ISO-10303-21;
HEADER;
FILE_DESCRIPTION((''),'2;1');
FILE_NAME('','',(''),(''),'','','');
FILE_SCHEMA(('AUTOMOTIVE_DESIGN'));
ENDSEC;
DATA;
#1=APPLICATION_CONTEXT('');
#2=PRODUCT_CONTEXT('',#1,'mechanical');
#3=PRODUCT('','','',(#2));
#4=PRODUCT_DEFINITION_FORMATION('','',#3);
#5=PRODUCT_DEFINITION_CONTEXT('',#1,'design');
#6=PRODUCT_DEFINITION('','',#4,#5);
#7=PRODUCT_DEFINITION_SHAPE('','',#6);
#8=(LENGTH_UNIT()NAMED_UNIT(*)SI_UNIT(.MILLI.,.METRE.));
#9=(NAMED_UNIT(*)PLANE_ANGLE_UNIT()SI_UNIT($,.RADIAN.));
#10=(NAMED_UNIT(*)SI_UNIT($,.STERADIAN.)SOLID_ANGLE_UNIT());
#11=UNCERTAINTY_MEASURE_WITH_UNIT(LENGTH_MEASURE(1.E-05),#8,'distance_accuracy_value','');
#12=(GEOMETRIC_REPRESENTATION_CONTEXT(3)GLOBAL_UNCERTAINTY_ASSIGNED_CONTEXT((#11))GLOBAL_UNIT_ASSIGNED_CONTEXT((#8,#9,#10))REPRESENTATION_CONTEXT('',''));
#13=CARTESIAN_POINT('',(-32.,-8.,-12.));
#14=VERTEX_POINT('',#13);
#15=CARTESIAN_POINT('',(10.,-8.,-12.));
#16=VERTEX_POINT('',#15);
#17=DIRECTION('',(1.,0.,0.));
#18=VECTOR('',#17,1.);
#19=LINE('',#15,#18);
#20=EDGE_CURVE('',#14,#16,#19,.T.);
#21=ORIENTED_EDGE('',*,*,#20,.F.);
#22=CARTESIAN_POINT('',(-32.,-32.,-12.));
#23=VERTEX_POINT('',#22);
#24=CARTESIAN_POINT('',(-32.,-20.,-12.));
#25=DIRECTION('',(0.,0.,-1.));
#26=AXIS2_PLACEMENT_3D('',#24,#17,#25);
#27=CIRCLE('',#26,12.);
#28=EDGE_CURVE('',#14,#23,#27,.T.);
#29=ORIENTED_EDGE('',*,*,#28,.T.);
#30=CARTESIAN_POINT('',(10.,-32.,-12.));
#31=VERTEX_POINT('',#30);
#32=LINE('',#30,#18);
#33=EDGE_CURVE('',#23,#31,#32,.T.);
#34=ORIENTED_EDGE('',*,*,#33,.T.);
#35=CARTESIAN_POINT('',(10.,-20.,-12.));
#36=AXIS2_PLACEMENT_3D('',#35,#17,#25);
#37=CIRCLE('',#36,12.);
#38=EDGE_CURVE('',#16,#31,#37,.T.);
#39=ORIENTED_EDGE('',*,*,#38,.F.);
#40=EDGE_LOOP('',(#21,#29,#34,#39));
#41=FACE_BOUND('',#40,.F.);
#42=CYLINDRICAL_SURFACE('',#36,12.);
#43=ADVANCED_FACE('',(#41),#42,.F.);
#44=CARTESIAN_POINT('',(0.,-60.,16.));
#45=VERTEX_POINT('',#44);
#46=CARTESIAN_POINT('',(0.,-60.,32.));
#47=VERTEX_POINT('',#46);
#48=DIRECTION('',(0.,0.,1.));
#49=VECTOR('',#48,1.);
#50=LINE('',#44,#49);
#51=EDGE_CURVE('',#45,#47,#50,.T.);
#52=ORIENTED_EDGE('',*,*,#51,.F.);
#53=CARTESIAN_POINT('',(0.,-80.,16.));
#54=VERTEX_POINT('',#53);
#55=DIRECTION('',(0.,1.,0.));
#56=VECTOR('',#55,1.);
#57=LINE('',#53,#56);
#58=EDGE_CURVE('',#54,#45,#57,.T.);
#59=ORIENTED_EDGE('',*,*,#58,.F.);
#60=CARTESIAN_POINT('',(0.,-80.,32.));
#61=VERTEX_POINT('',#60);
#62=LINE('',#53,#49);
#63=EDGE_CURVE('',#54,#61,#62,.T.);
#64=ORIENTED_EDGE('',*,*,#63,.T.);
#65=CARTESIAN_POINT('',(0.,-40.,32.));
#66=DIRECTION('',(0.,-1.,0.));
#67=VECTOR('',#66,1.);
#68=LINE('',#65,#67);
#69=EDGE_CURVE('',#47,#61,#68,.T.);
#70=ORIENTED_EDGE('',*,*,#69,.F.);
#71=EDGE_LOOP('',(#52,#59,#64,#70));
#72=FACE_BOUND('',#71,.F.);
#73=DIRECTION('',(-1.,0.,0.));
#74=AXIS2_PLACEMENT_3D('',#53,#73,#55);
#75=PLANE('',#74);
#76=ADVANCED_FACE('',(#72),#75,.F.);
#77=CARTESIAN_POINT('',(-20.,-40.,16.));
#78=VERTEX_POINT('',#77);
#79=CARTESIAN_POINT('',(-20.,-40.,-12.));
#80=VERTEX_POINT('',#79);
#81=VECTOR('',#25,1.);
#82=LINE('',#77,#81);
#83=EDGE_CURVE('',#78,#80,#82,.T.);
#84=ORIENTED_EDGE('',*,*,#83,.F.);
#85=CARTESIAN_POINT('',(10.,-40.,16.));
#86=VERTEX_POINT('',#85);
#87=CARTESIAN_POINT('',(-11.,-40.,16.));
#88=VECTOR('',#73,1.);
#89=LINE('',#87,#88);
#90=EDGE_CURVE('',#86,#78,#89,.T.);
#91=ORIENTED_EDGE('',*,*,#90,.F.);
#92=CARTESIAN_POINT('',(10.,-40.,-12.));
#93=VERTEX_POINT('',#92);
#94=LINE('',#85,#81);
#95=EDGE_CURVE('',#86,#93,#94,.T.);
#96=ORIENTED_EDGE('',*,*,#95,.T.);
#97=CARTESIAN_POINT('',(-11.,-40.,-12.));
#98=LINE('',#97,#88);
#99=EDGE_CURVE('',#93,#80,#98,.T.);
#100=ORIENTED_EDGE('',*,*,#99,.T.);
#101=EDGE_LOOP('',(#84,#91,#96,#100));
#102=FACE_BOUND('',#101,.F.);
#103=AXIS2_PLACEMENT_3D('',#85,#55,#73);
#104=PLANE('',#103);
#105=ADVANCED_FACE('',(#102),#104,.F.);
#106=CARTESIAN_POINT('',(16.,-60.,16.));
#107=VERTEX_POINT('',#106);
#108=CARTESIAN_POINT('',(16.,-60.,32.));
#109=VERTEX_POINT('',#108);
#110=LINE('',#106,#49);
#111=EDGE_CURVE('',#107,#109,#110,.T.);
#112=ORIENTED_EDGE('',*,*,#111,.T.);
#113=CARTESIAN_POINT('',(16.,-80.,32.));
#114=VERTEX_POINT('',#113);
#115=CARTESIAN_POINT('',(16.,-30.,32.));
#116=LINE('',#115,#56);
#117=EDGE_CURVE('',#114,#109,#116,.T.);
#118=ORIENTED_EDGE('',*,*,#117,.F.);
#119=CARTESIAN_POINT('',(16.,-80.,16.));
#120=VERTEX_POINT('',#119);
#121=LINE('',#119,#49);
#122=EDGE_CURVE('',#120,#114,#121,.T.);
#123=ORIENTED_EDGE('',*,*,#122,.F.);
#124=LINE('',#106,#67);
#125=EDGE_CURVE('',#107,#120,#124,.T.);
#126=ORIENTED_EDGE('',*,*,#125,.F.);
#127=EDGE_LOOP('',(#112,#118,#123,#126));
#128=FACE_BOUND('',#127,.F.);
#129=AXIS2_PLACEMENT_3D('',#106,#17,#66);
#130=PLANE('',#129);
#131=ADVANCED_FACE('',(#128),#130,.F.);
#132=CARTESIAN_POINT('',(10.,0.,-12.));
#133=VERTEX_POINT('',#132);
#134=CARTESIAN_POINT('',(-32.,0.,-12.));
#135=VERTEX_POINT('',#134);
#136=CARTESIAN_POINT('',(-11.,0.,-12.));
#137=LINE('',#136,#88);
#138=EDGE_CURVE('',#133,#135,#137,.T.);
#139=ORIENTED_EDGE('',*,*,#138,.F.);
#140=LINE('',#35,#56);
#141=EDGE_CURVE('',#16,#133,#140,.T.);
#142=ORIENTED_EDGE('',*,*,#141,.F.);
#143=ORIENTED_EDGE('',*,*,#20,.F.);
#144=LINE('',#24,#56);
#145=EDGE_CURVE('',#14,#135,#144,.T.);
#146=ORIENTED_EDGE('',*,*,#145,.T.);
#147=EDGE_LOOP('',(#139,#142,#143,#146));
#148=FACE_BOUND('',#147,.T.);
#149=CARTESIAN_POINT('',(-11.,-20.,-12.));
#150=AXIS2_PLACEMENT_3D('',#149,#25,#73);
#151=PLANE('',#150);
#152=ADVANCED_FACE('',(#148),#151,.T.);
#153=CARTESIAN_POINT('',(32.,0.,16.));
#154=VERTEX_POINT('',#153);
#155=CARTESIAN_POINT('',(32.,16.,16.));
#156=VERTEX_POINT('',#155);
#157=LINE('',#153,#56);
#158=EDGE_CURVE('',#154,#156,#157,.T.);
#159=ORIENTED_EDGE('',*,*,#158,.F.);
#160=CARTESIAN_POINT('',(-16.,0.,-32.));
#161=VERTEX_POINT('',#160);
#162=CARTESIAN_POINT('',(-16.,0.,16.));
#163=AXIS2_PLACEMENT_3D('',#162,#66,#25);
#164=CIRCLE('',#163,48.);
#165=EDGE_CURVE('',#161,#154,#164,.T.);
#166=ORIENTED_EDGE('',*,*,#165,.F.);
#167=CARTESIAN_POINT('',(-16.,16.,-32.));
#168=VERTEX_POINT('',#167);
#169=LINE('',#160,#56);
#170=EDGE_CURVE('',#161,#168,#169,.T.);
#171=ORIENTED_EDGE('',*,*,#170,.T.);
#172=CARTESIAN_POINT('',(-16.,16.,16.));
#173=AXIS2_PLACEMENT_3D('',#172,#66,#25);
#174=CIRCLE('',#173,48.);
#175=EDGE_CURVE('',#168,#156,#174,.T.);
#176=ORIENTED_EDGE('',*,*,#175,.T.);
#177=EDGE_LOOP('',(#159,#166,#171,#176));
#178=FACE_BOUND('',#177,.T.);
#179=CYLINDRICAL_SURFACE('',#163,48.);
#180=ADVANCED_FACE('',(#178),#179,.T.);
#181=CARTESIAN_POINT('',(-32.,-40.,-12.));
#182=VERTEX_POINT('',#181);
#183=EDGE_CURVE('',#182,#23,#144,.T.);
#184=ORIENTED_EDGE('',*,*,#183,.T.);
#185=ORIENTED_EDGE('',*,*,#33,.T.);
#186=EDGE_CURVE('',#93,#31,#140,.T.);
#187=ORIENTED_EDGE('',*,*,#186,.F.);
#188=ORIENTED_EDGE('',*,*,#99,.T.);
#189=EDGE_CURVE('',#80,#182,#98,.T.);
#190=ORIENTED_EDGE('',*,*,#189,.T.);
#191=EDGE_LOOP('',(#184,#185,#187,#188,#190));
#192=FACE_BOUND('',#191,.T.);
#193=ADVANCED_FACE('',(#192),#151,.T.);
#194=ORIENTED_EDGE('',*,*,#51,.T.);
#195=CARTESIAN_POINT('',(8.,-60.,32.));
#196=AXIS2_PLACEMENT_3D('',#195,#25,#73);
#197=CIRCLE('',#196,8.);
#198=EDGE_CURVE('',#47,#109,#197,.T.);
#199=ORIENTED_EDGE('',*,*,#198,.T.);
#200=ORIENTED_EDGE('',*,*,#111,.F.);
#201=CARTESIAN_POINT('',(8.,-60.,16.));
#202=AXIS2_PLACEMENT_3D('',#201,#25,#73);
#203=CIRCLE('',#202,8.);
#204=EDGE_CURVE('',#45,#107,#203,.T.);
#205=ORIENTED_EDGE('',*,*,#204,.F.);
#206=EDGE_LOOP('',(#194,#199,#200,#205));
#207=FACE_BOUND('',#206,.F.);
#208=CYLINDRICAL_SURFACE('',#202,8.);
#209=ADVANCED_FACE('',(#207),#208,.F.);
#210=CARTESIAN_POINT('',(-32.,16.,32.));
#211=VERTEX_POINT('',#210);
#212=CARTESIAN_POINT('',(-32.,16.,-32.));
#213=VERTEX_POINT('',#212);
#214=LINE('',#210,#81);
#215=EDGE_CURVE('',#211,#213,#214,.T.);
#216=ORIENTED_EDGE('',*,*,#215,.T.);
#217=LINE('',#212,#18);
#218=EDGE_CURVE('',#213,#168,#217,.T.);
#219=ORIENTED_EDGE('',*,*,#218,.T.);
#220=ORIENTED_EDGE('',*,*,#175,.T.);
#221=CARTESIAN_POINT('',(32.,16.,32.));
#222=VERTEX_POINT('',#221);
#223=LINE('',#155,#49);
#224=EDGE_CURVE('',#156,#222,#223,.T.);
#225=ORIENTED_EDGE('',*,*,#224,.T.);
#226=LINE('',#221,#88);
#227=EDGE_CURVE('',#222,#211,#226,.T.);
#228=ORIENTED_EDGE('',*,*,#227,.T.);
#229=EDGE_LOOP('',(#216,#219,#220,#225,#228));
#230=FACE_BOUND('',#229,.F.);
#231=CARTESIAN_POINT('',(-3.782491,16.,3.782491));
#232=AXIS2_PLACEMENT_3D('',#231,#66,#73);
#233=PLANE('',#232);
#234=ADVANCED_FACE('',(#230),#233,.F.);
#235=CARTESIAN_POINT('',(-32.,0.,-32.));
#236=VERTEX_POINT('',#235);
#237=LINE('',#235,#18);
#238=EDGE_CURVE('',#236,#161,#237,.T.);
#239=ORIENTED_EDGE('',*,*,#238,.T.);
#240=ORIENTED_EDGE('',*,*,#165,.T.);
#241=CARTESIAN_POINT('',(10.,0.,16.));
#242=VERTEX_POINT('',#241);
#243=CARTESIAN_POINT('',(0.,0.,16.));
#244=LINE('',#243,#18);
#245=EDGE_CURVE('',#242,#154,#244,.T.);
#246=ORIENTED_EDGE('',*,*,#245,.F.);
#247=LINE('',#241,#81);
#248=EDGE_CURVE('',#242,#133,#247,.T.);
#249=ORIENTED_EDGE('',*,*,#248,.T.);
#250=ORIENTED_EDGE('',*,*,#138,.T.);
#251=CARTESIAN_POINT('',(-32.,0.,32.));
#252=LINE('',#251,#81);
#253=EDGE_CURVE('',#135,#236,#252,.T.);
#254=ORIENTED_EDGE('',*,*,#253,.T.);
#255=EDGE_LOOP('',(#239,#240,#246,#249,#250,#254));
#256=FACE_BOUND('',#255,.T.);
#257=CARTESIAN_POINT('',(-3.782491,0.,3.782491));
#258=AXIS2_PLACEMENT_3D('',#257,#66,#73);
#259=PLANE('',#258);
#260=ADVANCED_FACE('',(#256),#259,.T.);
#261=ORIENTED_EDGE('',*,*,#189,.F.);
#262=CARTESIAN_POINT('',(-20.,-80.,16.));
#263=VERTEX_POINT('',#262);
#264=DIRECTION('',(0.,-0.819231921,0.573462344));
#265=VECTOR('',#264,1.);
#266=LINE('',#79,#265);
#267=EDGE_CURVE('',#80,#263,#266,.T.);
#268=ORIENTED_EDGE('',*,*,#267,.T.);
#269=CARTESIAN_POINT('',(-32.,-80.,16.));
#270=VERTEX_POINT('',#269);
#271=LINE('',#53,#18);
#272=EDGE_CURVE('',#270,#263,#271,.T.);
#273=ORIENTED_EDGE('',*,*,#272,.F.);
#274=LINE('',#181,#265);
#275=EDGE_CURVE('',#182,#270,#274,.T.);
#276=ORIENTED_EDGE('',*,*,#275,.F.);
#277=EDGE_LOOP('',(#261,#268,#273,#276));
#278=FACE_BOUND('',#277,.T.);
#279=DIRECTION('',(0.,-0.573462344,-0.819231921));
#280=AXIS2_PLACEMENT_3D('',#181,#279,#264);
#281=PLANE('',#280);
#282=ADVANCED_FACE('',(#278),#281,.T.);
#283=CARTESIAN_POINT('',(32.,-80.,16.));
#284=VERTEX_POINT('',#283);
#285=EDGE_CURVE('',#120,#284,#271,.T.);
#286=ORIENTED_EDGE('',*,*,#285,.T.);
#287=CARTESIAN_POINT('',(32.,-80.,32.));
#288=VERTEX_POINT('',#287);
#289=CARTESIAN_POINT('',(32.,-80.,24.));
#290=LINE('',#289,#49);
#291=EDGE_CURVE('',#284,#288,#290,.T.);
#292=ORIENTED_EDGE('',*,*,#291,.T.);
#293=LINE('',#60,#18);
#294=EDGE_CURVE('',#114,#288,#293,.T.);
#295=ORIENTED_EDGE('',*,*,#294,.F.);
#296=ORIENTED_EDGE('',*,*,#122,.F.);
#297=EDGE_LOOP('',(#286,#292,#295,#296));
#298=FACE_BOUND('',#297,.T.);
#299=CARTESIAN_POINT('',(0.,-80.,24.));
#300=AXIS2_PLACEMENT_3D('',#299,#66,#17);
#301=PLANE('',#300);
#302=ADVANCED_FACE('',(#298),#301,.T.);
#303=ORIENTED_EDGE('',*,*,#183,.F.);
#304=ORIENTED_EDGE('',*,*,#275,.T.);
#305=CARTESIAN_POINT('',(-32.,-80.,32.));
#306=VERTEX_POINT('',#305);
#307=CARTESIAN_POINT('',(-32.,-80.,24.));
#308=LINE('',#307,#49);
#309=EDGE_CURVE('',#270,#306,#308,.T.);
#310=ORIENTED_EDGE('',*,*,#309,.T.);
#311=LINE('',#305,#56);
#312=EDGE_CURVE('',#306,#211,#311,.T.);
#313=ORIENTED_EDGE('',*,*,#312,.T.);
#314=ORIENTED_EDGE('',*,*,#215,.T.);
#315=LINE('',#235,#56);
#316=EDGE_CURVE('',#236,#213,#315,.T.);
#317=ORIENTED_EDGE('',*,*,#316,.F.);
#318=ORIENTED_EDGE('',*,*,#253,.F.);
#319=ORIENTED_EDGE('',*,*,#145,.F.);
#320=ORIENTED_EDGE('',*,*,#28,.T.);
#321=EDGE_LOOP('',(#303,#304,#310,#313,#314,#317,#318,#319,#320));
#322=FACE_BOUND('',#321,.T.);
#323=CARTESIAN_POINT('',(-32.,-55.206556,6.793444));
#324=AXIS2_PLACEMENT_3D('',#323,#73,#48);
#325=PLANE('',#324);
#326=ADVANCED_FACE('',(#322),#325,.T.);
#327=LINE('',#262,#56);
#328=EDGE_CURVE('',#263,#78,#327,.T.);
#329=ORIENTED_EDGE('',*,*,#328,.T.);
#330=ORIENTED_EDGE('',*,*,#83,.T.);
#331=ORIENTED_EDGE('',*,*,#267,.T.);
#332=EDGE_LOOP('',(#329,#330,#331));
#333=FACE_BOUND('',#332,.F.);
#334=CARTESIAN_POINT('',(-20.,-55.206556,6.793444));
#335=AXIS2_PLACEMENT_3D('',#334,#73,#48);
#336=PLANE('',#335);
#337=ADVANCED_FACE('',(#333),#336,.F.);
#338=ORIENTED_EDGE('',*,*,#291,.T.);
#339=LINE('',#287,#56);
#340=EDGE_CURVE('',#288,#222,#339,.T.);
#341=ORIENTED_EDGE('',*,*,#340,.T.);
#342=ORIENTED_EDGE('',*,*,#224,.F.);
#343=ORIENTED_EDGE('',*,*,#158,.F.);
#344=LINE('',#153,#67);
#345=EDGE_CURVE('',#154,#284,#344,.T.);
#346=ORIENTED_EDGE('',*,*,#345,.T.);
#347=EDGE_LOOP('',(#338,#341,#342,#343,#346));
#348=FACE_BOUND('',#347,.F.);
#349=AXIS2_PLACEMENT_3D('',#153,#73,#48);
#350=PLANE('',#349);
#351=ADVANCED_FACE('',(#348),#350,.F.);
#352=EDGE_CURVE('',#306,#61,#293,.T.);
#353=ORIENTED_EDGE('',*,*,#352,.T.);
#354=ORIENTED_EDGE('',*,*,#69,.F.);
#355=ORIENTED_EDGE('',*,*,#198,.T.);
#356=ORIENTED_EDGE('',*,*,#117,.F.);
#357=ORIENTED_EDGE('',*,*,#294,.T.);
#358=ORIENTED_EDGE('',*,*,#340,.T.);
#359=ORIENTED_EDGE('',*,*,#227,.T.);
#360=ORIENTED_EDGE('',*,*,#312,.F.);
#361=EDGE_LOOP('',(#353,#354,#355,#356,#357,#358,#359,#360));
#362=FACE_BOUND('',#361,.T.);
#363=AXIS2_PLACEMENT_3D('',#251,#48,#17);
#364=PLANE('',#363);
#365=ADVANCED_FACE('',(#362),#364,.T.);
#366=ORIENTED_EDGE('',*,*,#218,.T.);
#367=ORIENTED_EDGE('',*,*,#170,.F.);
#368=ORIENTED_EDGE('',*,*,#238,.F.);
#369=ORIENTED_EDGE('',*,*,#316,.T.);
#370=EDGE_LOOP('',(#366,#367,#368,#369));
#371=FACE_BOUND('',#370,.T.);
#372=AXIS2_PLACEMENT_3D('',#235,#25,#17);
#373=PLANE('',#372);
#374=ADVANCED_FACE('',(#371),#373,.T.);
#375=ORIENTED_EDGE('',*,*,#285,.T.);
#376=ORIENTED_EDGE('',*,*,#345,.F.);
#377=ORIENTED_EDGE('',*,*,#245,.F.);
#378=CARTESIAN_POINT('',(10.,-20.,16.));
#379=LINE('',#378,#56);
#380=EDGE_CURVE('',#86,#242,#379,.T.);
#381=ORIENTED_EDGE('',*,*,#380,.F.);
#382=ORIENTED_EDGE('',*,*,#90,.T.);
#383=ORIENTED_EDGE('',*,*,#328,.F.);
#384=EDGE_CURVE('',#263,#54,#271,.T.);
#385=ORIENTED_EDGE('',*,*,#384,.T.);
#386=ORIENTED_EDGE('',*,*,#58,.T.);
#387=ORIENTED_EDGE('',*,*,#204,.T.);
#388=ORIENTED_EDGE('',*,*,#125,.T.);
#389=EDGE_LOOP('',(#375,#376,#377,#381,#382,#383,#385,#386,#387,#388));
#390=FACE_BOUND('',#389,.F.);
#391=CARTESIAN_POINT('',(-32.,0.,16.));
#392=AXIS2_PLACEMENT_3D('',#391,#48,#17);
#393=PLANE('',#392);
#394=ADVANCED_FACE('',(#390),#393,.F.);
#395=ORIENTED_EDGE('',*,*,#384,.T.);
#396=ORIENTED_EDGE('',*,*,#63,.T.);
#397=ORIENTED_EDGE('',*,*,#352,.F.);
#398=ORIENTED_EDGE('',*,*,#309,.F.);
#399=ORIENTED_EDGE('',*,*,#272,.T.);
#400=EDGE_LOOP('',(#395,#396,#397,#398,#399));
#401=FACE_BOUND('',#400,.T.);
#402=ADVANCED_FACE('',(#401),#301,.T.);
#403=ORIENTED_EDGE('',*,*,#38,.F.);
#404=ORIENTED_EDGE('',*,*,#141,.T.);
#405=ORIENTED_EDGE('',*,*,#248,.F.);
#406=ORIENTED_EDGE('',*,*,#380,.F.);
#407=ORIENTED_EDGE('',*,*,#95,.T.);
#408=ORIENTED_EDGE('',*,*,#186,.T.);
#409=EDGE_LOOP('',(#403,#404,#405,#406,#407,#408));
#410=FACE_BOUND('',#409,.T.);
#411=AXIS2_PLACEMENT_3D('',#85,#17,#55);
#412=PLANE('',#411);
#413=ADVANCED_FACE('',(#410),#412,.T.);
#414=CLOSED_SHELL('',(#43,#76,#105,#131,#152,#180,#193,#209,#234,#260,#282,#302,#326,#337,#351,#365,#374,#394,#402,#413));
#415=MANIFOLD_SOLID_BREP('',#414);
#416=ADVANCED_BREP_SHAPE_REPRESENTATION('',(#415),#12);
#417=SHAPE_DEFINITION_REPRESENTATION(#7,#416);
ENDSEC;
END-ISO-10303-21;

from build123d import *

# Parameters (mm, degrees)
BOSS_EXTRUDE1_DEPTH = 16
SKETCH3_W           = 64
SKETCH3_H           = 16
BOSS_EXTRUDE2_DEPTH = 80
CUT_EXTRUDE1_DEPTH  = 80
SKETCH5_W           = 42
SKETCH5_H           = 40
BOSS_EXTRUDE3_DEPTH = 28
SKETCH6_R           = 12
CUT_EXTRUDE2_DEPTH  = 51
BOSS_EXTRUDE4_DEPTH = 12


with BuildPart() as part:
    # Sketch1 → Boss-Extrude1 (new body)
    with BuildSketch(Plane(origin=(0, 0, 0), x_dir=(1, 0, 0), z_dir=(0, 1, 0))):
        with BuildLine():
            Line((-32, 32), (-16, 32))
            ThreePointArc((-16, 32), (17.941125497, 17.941125497), (32, -16))
            Line((32, -16), (32, -32))
            Line((32, -32), (-32, -32))
            Line((-32, -32), (-32, 32))
        make_face()
    extrude(amount=BOSS_EXTRUDE1_DEPTH)

    # Sketch3 → Boss-Extrude2 (add)
    with BuildSketch(Plane.XZ):
        with Locations((0, 24)):
            Rectangle(SKETCH3_W, SKETCH3_H)
    extrude(amount=BOSS_EXTRUDE2_DEPTH)

    # Sketch4 → Cut-Extrude1 (cut)
    with BuildSketch(Plane(origin=(0, 0, 16), x_dir=(-1, 0, 0), z_dir=(0, 0, -1))):
        with BuildLine():
            Line((-16, -80), (0, -80))
            Line((0, -80), (0, -60))
            ThreePointArc((0, -60), (-8, -52), (-16, -60))
            Line((-16, -60), (-16, -80))
        make_face()
    extrude(amount=-CUT_EXTRUDE1_DEPTH, mode=Mode.SUBTRACT)

    # Sketch5 → Boss-Extrude3 (add)
    with BuildSketch(Plane(origin=(0, 0, 16), x_dir=(-1, 0, 0), z_dir=(0, 0, -1))):
        with Locations((11, -20)):
            Rectangle(SKETCH5_W, SKETCH5_H)
    extrude(amount=BOSS_EXTRUDE3_DEPTH)

    # Sketch6 → Cut-Extrude2 (cut)
    with BuildSketch(Plane(origin=(10, 0, 0), x_dir=(0, 0, -1), z_dir=(1, 0, 0))):
        with Locations((12, -20)):
            Circle(SKETCH6_R)
    extrude(amount=-CUT_EXTRUDE2_DEPTH, mode=Mode.SUBTRACT)

    # Sketch7 → Boss-Extrude4 (add)
    with BuildSketch(Plane.ZY.offset(32)):
        Polygon((-12, -40), (16, -80), (16, -40), align=None)
    extrude(amount=-BOSS_EXTRUDE4_DEPTH)


solid = part.part
